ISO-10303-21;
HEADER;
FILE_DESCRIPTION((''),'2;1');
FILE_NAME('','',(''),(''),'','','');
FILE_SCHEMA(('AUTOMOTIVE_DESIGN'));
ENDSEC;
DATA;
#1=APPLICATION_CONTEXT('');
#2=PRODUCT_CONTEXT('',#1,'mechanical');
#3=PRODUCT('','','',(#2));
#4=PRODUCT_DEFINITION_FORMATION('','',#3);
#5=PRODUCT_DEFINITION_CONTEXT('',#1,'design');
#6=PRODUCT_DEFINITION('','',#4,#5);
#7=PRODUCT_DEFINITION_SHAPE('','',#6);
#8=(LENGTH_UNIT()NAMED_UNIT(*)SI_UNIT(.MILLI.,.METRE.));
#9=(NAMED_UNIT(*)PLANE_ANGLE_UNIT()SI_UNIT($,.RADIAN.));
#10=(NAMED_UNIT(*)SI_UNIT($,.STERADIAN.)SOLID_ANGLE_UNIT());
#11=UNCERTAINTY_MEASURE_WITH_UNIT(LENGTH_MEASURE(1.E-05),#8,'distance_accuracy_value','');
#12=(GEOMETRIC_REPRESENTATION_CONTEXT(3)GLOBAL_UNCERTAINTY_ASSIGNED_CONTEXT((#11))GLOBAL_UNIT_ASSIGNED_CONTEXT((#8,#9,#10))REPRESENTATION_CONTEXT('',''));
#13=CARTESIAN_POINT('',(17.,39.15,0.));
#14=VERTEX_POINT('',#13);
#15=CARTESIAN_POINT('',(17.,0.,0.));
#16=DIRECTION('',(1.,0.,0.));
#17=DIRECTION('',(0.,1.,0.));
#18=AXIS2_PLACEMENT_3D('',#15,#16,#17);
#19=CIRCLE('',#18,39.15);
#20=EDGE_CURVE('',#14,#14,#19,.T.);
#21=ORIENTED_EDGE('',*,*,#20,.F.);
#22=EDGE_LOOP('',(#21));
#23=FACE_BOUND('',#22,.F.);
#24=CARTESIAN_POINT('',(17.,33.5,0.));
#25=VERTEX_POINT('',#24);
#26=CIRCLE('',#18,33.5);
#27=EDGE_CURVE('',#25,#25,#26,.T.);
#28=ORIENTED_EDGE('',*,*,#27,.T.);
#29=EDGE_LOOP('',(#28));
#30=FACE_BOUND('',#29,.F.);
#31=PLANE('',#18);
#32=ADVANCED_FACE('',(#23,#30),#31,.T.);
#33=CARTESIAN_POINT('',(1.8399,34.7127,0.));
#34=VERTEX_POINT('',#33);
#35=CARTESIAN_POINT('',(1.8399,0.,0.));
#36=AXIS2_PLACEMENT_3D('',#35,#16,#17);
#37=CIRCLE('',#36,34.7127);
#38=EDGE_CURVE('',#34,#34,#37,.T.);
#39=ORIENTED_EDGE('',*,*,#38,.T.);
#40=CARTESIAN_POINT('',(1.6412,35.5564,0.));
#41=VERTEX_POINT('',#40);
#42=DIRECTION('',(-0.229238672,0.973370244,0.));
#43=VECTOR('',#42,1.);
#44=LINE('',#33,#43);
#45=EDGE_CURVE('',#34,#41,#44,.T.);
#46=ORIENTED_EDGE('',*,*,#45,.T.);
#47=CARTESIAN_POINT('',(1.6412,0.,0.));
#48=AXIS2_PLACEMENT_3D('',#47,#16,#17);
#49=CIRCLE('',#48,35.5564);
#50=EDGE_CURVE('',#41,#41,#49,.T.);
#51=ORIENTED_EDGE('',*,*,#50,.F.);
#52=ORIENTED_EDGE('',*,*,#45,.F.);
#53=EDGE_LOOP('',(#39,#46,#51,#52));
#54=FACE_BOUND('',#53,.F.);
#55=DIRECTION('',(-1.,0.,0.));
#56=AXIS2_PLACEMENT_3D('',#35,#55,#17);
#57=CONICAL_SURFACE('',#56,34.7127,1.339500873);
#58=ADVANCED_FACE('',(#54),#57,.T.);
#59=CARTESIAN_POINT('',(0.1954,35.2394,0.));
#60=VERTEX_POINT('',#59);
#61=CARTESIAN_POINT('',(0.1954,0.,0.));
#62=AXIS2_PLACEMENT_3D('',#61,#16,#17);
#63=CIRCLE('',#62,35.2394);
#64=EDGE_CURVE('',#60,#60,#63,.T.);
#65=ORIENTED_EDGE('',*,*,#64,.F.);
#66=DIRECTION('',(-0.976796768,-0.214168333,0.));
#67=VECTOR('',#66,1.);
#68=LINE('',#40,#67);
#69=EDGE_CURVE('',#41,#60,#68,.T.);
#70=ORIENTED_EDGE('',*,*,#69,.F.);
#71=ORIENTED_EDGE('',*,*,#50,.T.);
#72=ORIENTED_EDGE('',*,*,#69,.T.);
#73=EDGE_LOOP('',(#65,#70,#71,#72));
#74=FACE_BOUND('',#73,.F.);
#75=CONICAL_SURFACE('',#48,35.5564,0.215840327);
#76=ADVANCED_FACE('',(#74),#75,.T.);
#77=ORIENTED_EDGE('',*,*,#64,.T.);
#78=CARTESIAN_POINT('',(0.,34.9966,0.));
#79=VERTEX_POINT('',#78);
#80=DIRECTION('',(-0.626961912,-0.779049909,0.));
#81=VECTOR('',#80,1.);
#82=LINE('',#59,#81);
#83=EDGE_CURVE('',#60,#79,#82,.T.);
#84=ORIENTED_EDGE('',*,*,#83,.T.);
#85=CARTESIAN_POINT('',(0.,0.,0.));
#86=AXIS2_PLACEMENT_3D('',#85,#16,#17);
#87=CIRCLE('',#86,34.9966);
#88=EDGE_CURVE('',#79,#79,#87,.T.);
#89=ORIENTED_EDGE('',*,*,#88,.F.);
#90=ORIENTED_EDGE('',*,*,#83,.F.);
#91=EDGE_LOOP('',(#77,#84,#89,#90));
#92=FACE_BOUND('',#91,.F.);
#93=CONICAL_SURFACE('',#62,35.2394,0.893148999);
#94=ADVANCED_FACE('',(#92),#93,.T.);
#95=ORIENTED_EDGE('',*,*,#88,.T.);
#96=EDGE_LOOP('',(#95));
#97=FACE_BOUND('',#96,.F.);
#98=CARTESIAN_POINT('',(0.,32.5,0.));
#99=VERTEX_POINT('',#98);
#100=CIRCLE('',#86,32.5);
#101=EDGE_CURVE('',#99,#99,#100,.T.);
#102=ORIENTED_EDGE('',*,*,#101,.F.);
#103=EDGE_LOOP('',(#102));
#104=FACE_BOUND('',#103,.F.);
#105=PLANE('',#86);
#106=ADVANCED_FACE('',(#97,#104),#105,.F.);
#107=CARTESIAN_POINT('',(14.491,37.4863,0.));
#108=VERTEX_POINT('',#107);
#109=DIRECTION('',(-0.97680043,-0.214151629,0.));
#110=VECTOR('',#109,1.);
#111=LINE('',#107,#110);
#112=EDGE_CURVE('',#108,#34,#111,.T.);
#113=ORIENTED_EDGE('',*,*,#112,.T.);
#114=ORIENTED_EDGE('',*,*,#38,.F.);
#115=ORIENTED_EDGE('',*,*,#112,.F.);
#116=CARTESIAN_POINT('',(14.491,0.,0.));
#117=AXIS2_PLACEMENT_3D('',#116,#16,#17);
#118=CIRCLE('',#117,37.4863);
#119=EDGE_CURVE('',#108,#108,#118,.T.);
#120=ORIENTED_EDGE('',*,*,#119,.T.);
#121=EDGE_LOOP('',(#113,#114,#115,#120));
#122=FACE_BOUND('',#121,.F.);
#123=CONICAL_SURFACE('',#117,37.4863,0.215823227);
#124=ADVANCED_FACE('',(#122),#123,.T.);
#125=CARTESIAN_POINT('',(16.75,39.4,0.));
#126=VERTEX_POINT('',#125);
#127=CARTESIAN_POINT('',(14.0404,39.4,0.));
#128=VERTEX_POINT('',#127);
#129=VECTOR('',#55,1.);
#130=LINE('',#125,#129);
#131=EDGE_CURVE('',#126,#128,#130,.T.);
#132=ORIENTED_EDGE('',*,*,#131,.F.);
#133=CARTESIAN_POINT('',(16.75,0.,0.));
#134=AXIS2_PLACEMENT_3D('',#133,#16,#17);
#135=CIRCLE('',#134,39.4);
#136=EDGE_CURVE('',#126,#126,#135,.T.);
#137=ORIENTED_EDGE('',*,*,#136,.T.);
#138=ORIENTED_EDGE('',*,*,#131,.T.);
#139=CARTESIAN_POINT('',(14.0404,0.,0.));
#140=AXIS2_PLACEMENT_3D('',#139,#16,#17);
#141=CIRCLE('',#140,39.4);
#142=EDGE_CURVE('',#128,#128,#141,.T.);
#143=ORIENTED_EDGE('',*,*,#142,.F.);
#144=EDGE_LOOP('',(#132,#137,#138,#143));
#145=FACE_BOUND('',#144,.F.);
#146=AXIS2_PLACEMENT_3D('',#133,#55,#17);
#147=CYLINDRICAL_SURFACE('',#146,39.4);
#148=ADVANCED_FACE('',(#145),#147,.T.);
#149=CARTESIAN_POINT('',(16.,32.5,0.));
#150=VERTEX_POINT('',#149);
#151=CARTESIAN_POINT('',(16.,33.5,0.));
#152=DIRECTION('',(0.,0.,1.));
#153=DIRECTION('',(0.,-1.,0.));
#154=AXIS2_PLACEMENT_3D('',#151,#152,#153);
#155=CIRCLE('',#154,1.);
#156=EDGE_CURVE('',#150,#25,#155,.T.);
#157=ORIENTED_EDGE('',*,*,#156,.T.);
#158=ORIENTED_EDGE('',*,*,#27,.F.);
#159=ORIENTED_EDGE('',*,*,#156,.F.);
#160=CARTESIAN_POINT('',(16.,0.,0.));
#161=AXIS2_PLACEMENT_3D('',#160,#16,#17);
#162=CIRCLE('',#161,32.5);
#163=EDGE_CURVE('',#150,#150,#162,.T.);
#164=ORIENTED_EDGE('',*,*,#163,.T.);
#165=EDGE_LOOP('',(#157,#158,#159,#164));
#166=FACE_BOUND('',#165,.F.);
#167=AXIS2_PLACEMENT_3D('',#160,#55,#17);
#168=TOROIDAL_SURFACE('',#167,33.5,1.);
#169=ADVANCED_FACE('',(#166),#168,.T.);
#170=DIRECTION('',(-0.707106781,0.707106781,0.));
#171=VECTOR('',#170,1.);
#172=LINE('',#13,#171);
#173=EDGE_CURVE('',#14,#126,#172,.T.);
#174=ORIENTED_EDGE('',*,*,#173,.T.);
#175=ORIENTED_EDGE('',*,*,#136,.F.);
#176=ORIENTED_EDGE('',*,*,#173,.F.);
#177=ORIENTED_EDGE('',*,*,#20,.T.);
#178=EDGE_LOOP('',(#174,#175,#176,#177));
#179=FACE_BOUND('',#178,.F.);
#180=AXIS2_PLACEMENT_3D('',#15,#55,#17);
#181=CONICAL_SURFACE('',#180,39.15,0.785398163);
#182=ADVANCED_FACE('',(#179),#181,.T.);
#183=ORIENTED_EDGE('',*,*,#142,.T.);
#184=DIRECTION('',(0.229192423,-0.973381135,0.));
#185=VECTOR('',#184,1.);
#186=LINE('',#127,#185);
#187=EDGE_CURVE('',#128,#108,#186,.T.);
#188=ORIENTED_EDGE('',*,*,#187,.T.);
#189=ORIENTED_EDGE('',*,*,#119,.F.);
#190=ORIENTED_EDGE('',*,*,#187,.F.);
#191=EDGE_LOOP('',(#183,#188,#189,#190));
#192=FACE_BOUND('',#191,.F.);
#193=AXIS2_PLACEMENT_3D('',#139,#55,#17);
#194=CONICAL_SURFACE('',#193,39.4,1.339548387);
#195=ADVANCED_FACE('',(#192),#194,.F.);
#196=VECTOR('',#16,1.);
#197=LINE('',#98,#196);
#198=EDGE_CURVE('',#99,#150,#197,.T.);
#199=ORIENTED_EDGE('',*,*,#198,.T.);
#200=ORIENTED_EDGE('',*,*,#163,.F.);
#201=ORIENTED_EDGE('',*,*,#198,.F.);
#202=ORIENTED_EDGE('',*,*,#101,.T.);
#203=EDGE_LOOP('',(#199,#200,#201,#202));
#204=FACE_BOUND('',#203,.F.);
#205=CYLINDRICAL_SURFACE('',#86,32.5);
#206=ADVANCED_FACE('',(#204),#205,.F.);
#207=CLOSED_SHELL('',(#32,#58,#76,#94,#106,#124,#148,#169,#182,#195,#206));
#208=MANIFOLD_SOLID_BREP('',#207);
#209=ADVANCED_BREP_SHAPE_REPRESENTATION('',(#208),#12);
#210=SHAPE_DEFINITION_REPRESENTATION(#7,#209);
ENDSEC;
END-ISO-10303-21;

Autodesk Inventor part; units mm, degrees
sketch "Sketch_1" plane through (0, 0, 0) normal (0, 0, 1) x (1, 0, 0)
  line L0 (16, 0) -> (0, 0)
  line L1 (0, 34.9966) -> (0, 32.5)
  line L2 (0, 32.5) -> (16, 32.5)
  arc A0 (16, 32.5) -> (17, 33.5) centre (16, 33.5) ccw
  line L3 (17, 33.5) -> (17, 39.15)
  line L4 (17, 39.15) -> (16.75, 39.4)
  line L5 (16.75, 39.4) -> (14.0404, 39.4)
  line L6 (14.0404, 39.4) -> (14.491, 37.4863)
  line L7 (14.491, 37.4863) -> (1.8399, 34.7127)
  line L8 (1.8399, 34.7127) -> (1.6412, 35.5564)
  line L9 (1.6412, 35.5564) -> (0.1954, 35.2394)
  line L10 (0.1954, 35.2394) -> (0, 34.9966)
revolve "Revolution1" add sketch "Sketch_1" angle 360 about axis through (16, 0, 0) along (1, 0, 0)
ref_plane "inner_ring_XY" through (0, 0, 0) normal (0, 0, 1) x (1, 0, 0)
ref_plane "inner_ring_YZ" through (0, 0, 0) normal (1, 0, 0) x (0, 1, 0)
ref_plane "inner_ring_ZX" through (0, 0, 0) normal (0, 1, 0) x (0, 0, 1)
properties part number "32913_ir"
